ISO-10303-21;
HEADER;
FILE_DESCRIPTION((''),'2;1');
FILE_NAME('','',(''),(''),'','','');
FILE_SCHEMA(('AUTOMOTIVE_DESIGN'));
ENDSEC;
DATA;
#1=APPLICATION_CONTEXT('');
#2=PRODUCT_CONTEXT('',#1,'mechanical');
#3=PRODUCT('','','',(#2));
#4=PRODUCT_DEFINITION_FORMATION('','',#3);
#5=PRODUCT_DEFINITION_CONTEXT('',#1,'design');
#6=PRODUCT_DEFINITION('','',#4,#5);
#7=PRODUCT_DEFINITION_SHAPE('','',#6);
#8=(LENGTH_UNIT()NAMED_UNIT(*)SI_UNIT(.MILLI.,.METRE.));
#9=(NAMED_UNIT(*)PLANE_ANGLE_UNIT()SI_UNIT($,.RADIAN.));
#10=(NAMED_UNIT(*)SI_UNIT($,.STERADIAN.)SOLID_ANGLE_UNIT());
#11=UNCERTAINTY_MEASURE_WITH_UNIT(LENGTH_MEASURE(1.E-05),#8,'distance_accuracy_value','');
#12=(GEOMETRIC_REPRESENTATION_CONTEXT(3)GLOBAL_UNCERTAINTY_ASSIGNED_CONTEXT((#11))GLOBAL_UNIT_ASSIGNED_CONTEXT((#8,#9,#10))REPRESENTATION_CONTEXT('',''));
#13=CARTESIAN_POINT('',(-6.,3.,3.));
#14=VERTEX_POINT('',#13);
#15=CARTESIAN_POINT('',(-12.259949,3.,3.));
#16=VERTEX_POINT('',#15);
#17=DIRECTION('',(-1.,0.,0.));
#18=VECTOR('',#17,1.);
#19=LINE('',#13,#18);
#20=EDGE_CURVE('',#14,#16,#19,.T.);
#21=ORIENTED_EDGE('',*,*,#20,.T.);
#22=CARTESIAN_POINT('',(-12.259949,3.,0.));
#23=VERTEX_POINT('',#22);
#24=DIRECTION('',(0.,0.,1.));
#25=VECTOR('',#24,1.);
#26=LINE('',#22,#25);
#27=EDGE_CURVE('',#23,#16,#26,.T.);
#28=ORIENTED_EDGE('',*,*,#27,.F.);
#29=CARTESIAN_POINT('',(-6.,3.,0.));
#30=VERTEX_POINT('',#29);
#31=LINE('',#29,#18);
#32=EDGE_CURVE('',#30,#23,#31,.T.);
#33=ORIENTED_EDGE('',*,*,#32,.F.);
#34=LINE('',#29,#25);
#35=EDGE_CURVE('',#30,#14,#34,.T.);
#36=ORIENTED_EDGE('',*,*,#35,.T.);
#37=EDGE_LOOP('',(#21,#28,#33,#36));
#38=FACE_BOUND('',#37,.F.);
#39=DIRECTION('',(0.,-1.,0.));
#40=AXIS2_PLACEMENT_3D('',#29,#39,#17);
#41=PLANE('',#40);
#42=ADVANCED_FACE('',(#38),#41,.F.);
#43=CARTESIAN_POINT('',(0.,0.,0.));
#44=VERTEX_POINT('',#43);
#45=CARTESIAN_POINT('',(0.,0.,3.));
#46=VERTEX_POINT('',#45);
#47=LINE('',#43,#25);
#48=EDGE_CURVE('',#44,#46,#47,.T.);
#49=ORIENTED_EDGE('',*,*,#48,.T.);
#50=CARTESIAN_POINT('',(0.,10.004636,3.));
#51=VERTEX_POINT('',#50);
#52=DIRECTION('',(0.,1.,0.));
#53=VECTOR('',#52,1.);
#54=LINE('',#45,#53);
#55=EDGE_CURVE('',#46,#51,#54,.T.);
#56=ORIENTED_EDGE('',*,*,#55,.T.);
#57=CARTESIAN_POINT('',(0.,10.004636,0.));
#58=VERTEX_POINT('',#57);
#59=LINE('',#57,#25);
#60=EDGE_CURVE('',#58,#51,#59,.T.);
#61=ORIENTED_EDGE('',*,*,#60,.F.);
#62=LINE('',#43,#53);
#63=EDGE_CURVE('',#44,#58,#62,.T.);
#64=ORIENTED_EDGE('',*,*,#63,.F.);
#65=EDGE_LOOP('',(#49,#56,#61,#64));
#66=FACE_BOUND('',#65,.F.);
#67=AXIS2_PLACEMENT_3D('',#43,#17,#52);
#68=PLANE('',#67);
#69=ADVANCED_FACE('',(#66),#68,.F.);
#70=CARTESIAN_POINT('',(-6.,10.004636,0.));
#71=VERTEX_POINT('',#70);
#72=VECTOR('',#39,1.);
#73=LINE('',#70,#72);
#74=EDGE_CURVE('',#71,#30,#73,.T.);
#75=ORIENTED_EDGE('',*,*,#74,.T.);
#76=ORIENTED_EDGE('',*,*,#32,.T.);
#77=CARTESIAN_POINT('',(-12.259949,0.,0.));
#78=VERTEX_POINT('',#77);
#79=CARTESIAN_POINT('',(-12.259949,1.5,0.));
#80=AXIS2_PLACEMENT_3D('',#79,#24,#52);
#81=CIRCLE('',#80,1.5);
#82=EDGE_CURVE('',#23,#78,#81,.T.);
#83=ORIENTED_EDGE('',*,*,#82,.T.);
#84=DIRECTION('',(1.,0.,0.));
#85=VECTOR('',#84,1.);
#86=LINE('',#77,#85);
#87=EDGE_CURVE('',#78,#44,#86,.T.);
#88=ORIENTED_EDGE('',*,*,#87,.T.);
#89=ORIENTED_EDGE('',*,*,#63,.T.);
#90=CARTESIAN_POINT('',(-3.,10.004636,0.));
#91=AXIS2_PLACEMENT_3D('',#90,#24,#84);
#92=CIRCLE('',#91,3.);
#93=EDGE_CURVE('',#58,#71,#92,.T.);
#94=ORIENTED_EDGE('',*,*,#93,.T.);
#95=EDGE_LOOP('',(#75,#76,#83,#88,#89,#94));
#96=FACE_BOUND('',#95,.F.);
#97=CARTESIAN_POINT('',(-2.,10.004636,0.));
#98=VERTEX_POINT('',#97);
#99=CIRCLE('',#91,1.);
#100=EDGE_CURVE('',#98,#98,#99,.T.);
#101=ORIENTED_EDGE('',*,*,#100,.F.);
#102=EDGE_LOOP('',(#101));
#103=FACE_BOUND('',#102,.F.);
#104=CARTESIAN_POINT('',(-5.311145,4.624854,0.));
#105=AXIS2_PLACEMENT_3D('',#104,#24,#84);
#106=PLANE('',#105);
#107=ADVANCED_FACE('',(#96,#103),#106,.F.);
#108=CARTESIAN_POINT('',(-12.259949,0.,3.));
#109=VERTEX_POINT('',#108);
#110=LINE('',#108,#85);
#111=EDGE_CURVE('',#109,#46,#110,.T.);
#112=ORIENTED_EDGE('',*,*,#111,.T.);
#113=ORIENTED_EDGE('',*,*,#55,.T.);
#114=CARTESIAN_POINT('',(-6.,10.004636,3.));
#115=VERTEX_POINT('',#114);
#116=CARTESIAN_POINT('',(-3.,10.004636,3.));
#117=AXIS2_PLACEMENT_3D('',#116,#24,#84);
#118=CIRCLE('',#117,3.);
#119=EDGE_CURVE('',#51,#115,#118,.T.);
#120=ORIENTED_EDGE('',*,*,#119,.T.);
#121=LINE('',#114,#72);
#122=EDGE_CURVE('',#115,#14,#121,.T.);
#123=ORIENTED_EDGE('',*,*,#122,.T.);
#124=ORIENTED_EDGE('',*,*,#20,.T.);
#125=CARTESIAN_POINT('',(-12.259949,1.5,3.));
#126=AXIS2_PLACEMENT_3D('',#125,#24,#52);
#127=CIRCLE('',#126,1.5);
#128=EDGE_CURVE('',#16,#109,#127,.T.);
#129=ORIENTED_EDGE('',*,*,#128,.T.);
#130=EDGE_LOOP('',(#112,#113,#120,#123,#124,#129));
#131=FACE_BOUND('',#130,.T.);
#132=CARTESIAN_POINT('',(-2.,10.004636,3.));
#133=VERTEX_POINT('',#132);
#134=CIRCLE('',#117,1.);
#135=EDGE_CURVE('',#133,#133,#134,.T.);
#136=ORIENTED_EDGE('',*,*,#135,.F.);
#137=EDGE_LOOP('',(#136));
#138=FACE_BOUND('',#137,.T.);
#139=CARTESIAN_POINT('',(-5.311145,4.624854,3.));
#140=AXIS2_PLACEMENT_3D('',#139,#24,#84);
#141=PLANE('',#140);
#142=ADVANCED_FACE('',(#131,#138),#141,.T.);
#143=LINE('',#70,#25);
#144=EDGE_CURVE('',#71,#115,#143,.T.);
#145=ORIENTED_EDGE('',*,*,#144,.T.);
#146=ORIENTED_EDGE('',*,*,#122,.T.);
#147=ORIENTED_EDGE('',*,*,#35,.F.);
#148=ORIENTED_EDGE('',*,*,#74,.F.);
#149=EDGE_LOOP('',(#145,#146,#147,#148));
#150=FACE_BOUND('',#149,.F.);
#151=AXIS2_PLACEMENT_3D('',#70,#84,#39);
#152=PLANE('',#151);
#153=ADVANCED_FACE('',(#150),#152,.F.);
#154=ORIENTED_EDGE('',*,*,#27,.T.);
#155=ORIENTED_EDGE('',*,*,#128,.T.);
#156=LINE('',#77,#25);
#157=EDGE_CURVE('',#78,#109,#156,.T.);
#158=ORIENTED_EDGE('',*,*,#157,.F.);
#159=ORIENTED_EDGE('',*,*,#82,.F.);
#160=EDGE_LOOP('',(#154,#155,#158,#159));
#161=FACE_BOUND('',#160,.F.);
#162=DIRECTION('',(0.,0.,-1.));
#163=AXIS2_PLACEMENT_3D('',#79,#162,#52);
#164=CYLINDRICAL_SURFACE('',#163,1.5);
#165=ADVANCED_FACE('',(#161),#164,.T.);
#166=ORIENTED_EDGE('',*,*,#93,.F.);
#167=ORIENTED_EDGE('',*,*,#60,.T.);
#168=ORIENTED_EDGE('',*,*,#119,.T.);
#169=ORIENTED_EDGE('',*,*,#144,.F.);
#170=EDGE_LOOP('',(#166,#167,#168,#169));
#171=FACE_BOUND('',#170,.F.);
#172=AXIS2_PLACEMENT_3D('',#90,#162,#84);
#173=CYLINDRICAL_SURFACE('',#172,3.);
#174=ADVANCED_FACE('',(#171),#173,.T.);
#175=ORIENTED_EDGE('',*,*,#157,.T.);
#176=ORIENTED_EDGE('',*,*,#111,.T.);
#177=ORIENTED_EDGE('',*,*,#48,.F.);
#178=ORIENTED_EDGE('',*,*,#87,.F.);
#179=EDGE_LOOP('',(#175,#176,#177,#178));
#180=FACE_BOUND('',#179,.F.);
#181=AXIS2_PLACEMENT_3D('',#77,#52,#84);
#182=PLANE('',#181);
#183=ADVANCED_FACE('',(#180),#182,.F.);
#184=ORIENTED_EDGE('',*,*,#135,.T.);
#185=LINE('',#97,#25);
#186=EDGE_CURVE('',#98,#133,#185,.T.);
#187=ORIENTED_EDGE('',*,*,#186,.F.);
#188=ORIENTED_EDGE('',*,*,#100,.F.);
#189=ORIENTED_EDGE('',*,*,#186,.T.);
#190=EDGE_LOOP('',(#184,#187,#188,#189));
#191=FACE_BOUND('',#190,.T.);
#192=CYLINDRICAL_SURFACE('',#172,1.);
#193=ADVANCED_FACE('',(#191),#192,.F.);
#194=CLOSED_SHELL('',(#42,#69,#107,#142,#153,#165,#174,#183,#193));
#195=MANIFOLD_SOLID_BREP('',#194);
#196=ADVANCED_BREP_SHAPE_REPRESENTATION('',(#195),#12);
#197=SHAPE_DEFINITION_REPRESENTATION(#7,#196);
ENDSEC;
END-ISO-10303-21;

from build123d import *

# Parameters (mm, degrees)
F0_R     = 1
F1_DEPTH = 3


with BuildPart() as f1:
    # F0 (on Top) → F1 (new body)
    with BuildSketch(Plane.XY):
        with BuildLine():
            Line((-6, 3), (-12.259949, 3))
            ThreePointArc((-12.259949, 3), (-13.759949, 1.5), (-12.259949, 0))
            Line((-12.259949, 0), (0, 0))
            Line((0, 0), (0, 10.004636))
            ThreePointArc((0, 10.004636), (-3, 13.004636), (-6, 10.004636))
            Line((-6, 10.004636), (-6, 3))
        make_face()
        with Locations((-3, 10.004636)):
            Circle(F0_R, mode=Mode.SUBTRACT)
    extrude(amount=F1_DEPTH)


solid = f1.part
